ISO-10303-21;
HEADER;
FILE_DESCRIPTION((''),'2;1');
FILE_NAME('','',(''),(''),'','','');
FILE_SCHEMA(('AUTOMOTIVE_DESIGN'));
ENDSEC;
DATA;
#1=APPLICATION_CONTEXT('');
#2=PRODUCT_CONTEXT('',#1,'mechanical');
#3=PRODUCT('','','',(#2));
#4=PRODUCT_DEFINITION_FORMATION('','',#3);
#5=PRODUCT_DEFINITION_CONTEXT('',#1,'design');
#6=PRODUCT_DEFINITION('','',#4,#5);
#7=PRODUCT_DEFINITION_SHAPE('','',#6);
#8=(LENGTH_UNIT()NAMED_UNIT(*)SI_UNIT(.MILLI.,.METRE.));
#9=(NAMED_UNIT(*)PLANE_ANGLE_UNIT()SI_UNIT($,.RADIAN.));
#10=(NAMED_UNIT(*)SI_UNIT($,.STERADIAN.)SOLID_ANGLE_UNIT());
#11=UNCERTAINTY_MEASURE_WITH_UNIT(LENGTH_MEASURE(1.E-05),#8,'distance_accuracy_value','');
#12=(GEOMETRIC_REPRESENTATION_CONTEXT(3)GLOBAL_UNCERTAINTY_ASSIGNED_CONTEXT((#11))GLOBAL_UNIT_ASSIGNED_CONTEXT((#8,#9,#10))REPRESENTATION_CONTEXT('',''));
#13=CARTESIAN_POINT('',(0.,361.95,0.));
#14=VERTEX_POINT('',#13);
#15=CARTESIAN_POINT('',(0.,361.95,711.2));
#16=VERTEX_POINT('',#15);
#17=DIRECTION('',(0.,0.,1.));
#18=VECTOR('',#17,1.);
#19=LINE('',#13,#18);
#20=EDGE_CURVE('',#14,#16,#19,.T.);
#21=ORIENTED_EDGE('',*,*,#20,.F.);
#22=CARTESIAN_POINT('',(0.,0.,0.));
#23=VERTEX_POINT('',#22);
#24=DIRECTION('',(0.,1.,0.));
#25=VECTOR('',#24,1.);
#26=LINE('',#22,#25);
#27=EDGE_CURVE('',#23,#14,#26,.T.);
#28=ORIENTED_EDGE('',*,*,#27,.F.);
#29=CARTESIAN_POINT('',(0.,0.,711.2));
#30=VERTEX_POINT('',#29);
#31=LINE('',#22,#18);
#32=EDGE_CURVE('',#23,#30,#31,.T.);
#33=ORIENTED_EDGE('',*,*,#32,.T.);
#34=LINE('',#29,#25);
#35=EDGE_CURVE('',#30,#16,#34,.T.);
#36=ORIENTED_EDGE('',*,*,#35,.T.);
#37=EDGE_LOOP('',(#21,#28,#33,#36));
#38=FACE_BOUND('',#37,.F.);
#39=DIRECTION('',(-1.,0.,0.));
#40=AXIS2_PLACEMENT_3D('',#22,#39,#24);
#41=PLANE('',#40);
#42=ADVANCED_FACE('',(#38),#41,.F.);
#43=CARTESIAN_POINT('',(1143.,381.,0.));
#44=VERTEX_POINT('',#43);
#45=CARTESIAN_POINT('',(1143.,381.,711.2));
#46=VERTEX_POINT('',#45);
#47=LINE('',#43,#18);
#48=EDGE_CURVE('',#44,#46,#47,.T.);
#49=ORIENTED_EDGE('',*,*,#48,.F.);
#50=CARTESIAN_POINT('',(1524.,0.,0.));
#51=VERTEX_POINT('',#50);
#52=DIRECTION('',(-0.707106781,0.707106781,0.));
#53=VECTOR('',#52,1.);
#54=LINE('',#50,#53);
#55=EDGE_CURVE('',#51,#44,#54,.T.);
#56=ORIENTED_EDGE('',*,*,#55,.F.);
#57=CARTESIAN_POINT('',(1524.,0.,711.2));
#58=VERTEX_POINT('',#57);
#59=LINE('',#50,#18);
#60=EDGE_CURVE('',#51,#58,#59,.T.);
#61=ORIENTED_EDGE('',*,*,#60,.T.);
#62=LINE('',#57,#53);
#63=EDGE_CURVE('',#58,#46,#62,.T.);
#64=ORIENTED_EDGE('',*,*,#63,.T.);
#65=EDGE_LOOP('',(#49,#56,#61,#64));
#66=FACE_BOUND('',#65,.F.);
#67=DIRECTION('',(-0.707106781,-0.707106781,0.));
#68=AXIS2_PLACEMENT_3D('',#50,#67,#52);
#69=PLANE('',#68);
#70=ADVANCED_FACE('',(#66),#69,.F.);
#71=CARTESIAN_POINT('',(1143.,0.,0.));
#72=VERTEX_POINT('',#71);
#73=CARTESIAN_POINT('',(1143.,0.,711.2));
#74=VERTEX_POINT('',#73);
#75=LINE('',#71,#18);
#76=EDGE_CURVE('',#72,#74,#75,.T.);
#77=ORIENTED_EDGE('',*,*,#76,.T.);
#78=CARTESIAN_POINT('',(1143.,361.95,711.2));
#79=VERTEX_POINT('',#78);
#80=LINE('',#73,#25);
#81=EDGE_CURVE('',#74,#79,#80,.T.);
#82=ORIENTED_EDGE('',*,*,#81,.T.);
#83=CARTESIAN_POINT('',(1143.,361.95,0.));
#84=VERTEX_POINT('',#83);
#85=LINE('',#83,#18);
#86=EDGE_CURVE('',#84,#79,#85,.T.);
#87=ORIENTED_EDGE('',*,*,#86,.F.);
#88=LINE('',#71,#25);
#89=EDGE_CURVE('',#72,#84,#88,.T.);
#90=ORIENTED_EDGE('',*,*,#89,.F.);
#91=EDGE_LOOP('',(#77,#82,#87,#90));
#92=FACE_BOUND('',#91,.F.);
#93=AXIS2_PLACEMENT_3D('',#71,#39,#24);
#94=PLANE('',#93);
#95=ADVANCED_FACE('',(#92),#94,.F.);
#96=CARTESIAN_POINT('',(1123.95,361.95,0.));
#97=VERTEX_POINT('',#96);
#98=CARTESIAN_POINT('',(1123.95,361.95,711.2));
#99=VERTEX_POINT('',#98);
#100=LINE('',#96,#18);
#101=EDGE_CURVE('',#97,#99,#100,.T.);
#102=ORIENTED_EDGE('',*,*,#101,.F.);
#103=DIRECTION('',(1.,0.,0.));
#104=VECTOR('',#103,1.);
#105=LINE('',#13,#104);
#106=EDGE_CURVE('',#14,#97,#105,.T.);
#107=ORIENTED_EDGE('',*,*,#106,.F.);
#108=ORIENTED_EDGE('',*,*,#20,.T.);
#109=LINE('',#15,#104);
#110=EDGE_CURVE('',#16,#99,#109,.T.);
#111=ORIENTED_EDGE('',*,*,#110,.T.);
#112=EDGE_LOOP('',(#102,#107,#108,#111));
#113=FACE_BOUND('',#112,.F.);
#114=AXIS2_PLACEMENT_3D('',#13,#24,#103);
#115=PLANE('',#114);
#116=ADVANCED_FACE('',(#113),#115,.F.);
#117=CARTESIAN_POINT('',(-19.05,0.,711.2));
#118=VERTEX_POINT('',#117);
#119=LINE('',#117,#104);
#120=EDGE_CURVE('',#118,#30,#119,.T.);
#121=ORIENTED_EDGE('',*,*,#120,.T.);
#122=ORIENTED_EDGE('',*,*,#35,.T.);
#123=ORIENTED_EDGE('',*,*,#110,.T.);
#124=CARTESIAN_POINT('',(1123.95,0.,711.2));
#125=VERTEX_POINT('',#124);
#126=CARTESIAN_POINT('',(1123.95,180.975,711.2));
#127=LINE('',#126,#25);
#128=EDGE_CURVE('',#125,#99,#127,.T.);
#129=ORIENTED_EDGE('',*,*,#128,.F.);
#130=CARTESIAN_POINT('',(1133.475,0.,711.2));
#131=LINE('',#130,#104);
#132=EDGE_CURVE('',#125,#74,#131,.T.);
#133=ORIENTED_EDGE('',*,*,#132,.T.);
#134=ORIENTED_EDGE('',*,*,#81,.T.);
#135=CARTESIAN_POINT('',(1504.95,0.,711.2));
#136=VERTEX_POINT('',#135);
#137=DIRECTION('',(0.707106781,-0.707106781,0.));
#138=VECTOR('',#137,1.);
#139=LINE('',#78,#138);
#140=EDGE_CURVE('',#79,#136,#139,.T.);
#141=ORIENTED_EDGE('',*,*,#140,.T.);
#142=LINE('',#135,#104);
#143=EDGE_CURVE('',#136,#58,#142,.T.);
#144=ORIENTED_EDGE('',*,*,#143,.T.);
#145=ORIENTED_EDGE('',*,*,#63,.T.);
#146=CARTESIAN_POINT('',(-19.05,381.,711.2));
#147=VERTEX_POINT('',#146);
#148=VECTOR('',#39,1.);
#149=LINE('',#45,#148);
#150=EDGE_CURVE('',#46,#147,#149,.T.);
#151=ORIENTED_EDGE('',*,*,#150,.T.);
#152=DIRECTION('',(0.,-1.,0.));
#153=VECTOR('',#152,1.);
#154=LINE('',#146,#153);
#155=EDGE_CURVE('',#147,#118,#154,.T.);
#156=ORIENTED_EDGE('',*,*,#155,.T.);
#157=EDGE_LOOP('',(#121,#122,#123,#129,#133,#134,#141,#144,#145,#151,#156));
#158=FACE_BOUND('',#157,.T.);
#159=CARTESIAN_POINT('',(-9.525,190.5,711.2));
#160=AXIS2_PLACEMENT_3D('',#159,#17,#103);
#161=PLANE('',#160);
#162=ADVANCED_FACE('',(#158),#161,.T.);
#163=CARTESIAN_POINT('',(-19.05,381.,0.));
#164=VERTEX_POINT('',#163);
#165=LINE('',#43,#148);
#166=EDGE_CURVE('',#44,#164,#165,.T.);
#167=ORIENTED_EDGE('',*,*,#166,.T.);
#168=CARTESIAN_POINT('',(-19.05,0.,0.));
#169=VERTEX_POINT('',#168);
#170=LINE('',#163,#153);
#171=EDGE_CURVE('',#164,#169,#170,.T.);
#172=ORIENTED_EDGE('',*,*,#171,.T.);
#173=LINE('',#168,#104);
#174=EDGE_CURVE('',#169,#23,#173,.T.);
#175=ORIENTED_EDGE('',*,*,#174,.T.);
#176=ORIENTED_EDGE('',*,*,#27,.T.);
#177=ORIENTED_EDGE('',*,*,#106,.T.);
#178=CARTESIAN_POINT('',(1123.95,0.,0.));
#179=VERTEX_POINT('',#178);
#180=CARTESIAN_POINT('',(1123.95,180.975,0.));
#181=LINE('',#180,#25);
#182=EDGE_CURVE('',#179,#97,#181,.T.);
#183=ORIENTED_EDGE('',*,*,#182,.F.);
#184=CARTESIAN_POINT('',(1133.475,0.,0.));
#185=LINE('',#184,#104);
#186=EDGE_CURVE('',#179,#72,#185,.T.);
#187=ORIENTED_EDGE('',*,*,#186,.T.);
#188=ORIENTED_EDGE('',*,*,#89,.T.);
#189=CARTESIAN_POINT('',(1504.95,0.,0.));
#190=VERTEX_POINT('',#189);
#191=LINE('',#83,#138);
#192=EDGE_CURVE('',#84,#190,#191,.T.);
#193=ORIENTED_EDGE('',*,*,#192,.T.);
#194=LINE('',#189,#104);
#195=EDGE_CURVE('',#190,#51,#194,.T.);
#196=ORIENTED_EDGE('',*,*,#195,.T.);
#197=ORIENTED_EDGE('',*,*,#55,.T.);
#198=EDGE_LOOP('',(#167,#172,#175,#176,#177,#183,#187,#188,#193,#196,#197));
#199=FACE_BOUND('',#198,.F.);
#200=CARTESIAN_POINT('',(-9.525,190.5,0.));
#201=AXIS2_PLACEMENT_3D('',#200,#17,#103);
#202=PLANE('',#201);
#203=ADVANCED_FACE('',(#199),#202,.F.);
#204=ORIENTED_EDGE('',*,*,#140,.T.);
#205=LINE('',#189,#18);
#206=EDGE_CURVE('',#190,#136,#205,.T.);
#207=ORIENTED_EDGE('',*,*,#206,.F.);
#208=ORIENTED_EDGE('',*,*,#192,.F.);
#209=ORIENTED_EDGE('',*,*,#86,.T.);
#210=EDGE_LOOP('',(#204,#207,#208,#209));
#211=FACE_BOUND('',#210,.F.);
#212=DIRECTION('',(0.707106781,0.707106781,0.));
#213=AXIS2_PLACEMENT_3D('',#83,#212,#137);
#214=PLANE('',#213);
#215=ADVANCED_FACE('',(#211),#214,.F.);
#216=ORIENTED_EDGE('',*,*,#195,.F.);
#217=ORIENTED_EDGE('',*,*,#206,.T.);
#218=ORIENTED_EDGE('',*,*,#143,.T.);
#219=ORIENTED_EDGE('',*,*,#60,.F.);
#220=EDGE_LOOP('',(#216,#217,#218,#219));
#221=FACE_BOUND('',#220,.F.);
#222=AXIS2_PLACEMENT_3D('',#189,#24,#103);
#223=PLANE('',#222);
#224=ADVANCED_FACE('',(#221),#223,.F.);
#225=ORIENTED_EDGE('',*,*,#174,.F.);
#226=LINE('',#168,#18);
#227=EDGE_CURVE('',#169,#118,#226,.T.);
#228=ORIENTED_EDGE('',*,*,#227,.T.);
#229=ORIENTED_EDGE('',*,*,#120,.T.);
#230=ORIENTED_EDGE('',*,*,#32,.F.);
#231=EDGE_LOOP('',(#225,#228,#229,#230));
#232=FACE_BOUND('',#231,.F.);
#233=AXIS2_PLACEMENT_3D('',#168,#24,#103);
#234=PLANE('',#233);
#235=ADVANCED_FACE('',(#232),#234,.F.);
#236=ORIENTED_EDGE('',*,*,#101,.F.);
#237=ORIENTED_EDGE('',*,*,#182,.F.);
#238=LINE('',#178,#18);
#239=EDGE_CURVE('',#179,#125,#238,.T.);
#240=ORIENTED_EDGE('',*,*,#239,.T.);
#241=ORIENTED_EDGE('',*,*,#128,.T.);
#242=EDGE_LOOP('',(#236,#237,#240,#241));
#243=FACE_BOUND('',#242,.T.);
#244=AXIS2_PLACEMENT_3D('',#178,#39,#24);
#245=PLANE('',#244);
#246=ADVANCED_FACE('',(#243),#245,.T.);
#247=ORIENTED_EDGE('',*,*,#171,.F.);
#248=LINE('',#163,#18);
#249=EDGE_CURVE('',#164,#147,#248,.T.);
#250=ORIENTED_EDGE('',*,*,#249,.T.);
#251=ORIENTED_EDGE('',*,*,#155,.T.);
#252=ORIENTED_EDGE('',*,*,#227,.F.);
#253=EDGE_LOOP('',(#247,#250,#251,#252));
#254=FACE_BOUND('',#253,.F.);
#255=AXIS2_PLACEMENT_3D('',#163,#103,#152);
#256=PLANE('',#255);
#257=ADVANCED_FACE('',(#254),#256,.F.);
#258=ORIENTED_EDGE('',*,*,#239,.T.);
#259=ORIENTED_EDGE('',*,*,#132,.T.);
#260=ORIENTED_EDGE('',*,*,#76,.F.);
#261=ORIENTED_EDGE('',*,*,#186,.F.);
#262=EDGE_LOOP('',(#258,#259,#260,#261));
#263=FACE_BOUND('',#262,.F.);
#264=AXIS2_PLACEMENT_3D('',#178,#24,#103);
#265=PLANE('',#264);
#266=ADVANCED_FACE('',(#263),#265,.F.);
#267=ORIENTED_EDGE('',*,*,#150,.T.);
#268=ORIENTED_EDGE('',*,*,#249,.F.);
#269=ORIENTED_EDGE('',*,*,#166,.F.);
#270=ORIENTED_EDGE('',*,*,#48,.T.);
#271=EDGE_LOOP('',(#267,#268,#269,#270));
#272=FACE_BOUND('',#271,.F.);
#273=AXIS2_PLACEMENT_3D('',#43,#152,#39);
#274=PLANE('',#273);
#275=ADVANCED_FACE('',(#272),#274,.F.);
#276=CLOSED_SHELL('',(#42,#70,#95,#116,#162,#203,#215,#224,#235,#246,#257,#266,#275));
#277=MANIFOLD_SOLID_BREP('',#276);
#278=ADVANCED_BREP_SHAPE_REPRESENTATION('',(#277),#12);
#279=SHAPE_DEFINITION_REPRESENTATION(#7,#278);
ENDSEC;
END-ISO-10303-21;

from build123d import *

# Parameters (mm, degrees)
F0_W     = 19.05
F0_H     = 361.95
F1_DEPTH = 711.2


with BuildPart() as f1:
    # F0 (on Top) → F1 (new body)
    with BuildSketch(Plane.XY):
        Polygon((0, 381), (-19.05, 381), (-19.05, 0), (0, 0), (0, 361.95), align=None)
        Polygon((1143, 381), (0, 381), (0, 361.95), (1123.95, 361.95), (1143, 361.95), align=None)
        with Locations((1133.475, 180.975)):
            Rectangle(F0_W, F0_H)
        Polygon((1524, 0), (1143, 381), (1143, 361.95), (1504.95, 0), align=None)
    extrude(amount=F1_DEPTH)


solid = f1.part
